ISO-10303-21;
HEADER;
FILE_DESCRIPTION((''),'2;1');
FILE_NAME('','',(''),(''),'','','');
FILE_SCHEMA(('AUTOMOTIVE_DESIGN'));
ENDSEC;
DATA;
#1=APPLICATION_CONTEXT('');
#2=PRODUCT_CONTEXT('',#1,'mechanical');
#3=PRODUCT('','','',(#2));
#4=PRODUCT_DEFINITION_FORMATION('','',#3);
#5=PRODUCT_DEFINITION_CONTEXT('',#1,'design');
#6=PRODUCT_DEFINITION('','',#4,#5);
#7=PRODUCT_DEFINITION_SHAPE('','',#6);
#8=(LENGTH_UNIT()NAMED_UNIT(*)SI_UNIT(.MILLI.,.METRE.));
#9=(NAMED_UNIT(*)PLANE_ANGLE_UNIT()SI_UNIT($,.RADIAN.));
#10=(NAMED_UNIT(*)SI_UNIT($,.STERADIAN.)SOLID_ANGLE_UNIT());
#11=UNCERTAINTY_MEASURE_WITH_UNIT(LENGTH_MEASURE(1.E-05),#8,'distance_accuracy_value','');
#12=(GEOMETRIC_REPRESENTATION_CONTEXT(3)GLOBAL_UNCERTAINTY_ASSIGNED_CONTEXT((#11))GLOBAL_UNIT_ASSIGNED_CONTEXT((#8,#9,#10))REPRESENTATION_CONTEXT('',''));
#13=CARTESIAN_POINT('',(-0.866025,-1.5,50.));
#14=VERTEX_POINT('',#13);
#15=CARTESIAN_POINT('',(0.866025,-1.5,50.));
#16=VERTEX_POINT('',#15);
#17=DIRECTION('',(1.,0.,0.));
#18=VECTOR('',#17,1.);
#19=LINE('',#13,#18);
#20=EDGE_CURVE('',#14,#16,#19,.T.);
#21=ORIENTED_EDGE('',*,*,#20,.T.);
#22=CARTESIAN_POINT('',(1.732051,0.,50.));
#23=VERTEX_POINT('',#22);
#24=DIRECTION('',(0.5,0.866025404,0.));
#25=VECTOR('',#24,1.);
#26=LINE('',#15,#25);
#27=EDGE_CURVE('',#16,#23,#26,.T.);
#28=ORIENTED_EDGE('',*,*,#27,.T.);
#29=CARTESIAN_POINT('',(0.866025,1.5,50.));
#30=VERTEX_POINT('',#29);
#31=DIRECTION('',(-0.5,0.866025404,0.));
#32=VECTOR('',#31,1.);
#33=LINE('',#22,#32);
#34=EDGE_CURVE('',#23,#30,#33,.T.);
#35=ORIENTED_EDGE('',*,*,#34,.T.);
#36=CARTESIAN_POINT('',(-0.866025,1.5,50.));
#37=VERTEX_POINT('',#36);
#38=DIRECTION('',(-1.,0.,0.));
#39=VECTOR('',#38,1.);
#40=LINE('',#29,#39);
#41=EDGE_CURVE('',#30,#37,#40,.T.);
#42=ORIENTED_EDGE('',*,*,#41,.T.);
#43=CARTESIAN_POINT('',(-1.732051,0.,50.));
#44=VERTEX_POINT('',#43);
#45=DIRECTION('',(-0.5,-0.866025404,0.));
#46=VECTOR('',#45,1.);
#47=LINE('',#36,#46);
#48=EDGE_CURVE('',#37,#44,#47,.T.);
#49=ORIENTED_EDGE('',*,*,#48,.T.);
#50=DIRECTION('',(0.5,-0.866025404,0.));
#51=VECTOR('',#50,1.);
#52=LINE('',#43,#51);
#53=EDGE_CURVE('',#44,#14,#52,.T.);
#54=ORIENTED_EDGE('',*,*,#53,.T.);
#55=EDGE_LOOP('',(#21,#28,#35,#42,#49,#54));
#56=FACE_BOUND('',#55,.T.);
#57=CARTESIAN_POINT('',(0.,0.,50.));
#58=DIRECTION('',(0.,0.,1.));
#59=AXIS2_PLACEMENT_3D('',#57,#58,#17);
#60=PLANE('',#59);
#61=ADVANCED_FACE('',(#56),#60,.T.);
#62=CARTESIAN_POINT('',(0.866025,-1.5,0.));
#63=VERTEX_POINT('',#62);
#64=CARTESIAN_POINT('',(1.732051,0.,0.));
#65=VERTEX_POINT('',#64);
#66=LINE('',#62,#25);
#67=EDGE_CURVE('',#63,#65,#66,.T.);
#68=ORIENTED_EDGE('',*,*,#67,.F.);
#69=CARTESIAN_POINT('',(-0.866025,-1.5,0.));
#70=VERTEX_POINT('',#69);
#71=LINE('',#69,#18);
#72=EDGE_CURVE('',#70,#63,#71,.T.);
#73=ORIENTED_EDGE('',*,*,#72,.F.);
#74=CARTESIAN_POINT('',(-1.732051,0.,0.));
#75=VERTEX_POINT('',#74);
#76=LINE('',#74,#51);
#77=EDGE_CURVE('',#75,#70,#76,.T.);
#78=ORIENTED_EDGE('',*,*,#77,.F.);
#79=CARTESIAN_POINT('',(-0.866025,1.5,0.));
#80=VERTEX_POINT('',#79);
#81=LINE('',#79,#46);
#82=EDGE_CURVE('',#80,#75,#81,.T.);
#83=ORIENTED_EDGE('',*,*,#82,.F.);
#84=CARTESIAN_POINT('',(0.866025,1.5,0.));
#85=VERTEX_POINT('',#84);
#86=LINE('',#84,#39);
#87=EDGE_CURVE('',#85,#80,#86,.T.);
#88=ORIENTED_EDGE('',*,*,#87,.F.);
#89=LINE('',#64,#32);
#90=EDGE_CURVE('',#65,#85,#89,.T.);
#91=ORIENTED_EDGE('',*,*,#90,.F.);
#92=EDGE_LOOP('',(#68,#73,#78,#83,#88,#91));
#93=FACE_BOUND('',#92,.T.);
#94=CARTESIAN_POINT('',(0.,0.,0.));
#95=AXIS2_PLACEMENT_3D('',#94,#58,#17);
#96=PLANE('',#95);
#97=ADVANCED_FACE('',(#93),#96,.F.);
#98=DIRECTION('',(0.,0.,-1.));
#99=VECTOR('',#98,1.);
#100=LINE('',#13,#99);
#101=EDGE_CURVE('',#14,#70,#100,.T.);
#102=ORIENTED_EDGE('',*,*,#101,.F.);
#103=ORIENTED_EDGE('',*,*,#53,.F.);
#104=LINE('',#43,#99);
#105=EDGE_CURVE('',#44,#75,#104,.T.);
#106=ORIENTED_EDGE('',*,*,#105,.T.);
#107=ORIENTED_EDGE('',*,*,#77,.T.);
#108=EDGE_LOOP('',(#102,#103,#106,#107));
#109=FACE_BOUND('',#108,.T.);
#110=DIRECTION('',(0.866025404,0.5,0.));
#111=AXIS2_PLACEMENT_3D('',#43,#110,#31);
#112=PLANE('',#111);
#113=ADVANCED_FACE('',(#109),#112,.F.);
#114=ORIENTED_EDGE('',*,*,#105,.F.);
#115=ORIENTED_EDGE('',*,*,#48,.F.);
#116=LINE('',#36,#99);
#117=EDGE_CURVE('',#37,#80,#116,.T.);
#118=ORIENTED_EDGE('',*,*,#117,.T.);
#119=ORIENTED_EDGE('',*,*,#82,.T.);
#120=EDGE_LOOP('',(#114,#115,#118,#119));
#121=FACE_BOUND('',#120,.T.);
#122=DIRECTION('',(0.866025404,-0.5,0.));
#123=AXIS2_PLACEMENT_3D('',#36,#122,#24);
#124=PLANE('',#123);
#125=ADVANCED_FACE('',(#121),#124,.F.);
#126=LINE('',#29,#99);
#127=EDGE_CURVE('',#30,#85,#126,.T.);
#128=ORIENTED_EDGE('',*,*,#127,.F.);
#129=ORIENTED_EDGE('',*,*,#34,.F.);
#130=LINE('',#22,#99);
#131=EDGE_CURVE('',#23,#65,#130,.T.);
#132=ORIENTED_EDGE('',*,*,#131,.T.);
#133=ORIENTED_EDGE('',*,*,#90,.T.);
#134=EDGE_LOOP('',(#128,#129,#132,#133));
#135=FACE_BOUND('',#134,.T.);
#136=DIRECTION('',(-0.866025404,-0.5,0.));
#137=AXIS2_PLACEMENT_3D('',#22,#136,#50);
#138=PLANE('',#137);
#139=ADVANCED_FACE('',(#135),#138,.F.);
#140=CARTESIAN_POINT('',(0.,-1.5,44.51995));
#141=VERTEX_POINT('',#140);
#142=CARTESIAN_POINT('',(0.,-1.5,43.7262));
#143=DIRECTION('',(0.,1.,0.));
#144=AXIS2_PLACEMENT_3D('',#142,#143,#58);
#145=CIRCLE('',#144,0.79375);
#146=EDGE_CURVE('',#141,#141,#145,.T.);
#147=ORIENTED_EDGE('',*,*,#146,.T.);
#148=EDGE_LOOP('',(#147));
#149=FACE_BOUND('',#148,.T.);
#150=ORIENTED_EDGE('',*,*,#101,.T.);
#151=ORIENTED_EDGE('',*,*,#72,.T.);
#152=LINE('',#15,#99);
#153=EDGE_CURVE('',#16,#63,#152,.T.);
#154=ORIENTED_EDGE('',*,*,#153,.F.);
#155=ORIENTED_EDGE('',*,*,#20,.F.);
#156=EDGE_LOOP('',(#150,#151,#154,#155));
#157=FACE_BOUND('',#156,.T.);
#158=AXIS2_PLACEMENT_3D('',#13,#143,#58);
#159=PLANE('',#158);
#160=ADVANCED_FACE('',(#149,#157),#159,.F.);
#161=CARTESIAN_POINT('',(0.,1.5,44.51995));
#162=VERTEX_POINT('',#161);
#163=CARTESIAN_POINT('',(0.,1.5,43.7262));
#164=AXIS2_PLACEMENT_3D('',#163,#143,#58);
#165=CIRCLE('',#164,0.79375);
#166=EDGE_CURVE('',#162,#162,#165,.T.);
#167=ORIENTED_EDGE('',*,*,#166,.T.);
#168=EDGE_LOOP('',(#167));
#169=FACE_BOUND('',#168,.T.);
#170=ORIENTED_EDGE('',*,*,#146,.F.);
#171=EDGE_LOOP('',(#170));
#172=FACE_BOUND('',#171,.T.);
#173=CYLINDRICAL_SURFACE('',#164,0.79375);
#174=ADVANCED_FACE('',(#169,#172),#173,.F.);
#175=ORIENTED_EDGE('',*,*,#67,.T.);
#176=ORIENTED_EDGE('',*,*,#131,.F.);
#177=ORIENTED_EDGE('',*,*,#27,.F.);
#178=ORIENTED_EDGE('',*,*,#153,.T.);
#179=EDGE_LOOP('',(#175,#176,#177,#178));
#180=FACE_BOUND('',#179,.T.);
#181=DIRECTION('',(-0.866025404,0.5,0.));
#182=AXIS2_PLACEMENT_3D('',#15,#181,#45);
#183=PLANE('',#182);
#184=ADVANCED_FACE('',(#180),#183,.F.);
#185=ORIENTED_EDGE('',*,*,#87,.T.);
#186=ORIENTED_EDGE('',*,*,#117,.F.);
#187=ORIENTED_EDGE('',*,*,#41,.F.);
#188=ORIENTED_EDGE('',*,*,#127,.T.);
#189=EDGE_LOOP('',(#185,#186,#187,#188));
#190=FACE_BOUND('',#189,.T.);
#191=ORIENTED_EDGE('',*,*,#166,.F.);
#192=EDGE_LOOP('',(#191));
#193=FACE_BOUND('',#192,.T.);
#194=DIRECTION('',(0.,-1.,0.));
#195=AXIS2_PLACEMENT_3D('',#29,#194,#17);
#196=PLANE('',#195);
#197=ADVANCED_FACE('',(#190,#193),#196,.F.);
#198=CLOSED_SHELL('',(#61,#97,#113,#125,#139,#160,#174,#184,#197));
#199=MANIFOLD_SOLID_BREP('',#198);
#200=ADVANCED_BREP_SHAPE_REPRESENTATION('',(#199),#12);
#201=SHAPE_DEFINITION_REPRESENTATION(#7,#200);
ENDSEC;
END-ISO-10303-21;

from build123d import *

# Parameters (mm, degrees)
BOSS_EXTRUDE1_DEPTH            = 50
F_1_16_0_0625_DIAMETER_HOLE1_D = 1.5875


with BuildPart() as part:
    # Sketch1 → Boss-Extrude1 (new body)
    with BuildSketch(Plane.XY):
        Polygon((1.732050808, 0), (0.866025404, 1.5), (-0.866025404, 1.5), (-1.732050808, 0), (-0.866025404, -1.5), (0.866025404, -1.5), align=None)
    extrude(amount=BOSS_EXTRUDE1_DEPTH)

    # 1/16 (0.0625) Diameter Hole1 (through all)
    with Locations(Plane(origin=(0, 1.5, 0), x_dir=(1, 0, 0), z_dir=(0, 1, 0))):
        with Locations((0, -43.7262)):
            Hole(F_1_16_0_0625_DIAMETER_HOLE1_D / 2)


solid = part.part
